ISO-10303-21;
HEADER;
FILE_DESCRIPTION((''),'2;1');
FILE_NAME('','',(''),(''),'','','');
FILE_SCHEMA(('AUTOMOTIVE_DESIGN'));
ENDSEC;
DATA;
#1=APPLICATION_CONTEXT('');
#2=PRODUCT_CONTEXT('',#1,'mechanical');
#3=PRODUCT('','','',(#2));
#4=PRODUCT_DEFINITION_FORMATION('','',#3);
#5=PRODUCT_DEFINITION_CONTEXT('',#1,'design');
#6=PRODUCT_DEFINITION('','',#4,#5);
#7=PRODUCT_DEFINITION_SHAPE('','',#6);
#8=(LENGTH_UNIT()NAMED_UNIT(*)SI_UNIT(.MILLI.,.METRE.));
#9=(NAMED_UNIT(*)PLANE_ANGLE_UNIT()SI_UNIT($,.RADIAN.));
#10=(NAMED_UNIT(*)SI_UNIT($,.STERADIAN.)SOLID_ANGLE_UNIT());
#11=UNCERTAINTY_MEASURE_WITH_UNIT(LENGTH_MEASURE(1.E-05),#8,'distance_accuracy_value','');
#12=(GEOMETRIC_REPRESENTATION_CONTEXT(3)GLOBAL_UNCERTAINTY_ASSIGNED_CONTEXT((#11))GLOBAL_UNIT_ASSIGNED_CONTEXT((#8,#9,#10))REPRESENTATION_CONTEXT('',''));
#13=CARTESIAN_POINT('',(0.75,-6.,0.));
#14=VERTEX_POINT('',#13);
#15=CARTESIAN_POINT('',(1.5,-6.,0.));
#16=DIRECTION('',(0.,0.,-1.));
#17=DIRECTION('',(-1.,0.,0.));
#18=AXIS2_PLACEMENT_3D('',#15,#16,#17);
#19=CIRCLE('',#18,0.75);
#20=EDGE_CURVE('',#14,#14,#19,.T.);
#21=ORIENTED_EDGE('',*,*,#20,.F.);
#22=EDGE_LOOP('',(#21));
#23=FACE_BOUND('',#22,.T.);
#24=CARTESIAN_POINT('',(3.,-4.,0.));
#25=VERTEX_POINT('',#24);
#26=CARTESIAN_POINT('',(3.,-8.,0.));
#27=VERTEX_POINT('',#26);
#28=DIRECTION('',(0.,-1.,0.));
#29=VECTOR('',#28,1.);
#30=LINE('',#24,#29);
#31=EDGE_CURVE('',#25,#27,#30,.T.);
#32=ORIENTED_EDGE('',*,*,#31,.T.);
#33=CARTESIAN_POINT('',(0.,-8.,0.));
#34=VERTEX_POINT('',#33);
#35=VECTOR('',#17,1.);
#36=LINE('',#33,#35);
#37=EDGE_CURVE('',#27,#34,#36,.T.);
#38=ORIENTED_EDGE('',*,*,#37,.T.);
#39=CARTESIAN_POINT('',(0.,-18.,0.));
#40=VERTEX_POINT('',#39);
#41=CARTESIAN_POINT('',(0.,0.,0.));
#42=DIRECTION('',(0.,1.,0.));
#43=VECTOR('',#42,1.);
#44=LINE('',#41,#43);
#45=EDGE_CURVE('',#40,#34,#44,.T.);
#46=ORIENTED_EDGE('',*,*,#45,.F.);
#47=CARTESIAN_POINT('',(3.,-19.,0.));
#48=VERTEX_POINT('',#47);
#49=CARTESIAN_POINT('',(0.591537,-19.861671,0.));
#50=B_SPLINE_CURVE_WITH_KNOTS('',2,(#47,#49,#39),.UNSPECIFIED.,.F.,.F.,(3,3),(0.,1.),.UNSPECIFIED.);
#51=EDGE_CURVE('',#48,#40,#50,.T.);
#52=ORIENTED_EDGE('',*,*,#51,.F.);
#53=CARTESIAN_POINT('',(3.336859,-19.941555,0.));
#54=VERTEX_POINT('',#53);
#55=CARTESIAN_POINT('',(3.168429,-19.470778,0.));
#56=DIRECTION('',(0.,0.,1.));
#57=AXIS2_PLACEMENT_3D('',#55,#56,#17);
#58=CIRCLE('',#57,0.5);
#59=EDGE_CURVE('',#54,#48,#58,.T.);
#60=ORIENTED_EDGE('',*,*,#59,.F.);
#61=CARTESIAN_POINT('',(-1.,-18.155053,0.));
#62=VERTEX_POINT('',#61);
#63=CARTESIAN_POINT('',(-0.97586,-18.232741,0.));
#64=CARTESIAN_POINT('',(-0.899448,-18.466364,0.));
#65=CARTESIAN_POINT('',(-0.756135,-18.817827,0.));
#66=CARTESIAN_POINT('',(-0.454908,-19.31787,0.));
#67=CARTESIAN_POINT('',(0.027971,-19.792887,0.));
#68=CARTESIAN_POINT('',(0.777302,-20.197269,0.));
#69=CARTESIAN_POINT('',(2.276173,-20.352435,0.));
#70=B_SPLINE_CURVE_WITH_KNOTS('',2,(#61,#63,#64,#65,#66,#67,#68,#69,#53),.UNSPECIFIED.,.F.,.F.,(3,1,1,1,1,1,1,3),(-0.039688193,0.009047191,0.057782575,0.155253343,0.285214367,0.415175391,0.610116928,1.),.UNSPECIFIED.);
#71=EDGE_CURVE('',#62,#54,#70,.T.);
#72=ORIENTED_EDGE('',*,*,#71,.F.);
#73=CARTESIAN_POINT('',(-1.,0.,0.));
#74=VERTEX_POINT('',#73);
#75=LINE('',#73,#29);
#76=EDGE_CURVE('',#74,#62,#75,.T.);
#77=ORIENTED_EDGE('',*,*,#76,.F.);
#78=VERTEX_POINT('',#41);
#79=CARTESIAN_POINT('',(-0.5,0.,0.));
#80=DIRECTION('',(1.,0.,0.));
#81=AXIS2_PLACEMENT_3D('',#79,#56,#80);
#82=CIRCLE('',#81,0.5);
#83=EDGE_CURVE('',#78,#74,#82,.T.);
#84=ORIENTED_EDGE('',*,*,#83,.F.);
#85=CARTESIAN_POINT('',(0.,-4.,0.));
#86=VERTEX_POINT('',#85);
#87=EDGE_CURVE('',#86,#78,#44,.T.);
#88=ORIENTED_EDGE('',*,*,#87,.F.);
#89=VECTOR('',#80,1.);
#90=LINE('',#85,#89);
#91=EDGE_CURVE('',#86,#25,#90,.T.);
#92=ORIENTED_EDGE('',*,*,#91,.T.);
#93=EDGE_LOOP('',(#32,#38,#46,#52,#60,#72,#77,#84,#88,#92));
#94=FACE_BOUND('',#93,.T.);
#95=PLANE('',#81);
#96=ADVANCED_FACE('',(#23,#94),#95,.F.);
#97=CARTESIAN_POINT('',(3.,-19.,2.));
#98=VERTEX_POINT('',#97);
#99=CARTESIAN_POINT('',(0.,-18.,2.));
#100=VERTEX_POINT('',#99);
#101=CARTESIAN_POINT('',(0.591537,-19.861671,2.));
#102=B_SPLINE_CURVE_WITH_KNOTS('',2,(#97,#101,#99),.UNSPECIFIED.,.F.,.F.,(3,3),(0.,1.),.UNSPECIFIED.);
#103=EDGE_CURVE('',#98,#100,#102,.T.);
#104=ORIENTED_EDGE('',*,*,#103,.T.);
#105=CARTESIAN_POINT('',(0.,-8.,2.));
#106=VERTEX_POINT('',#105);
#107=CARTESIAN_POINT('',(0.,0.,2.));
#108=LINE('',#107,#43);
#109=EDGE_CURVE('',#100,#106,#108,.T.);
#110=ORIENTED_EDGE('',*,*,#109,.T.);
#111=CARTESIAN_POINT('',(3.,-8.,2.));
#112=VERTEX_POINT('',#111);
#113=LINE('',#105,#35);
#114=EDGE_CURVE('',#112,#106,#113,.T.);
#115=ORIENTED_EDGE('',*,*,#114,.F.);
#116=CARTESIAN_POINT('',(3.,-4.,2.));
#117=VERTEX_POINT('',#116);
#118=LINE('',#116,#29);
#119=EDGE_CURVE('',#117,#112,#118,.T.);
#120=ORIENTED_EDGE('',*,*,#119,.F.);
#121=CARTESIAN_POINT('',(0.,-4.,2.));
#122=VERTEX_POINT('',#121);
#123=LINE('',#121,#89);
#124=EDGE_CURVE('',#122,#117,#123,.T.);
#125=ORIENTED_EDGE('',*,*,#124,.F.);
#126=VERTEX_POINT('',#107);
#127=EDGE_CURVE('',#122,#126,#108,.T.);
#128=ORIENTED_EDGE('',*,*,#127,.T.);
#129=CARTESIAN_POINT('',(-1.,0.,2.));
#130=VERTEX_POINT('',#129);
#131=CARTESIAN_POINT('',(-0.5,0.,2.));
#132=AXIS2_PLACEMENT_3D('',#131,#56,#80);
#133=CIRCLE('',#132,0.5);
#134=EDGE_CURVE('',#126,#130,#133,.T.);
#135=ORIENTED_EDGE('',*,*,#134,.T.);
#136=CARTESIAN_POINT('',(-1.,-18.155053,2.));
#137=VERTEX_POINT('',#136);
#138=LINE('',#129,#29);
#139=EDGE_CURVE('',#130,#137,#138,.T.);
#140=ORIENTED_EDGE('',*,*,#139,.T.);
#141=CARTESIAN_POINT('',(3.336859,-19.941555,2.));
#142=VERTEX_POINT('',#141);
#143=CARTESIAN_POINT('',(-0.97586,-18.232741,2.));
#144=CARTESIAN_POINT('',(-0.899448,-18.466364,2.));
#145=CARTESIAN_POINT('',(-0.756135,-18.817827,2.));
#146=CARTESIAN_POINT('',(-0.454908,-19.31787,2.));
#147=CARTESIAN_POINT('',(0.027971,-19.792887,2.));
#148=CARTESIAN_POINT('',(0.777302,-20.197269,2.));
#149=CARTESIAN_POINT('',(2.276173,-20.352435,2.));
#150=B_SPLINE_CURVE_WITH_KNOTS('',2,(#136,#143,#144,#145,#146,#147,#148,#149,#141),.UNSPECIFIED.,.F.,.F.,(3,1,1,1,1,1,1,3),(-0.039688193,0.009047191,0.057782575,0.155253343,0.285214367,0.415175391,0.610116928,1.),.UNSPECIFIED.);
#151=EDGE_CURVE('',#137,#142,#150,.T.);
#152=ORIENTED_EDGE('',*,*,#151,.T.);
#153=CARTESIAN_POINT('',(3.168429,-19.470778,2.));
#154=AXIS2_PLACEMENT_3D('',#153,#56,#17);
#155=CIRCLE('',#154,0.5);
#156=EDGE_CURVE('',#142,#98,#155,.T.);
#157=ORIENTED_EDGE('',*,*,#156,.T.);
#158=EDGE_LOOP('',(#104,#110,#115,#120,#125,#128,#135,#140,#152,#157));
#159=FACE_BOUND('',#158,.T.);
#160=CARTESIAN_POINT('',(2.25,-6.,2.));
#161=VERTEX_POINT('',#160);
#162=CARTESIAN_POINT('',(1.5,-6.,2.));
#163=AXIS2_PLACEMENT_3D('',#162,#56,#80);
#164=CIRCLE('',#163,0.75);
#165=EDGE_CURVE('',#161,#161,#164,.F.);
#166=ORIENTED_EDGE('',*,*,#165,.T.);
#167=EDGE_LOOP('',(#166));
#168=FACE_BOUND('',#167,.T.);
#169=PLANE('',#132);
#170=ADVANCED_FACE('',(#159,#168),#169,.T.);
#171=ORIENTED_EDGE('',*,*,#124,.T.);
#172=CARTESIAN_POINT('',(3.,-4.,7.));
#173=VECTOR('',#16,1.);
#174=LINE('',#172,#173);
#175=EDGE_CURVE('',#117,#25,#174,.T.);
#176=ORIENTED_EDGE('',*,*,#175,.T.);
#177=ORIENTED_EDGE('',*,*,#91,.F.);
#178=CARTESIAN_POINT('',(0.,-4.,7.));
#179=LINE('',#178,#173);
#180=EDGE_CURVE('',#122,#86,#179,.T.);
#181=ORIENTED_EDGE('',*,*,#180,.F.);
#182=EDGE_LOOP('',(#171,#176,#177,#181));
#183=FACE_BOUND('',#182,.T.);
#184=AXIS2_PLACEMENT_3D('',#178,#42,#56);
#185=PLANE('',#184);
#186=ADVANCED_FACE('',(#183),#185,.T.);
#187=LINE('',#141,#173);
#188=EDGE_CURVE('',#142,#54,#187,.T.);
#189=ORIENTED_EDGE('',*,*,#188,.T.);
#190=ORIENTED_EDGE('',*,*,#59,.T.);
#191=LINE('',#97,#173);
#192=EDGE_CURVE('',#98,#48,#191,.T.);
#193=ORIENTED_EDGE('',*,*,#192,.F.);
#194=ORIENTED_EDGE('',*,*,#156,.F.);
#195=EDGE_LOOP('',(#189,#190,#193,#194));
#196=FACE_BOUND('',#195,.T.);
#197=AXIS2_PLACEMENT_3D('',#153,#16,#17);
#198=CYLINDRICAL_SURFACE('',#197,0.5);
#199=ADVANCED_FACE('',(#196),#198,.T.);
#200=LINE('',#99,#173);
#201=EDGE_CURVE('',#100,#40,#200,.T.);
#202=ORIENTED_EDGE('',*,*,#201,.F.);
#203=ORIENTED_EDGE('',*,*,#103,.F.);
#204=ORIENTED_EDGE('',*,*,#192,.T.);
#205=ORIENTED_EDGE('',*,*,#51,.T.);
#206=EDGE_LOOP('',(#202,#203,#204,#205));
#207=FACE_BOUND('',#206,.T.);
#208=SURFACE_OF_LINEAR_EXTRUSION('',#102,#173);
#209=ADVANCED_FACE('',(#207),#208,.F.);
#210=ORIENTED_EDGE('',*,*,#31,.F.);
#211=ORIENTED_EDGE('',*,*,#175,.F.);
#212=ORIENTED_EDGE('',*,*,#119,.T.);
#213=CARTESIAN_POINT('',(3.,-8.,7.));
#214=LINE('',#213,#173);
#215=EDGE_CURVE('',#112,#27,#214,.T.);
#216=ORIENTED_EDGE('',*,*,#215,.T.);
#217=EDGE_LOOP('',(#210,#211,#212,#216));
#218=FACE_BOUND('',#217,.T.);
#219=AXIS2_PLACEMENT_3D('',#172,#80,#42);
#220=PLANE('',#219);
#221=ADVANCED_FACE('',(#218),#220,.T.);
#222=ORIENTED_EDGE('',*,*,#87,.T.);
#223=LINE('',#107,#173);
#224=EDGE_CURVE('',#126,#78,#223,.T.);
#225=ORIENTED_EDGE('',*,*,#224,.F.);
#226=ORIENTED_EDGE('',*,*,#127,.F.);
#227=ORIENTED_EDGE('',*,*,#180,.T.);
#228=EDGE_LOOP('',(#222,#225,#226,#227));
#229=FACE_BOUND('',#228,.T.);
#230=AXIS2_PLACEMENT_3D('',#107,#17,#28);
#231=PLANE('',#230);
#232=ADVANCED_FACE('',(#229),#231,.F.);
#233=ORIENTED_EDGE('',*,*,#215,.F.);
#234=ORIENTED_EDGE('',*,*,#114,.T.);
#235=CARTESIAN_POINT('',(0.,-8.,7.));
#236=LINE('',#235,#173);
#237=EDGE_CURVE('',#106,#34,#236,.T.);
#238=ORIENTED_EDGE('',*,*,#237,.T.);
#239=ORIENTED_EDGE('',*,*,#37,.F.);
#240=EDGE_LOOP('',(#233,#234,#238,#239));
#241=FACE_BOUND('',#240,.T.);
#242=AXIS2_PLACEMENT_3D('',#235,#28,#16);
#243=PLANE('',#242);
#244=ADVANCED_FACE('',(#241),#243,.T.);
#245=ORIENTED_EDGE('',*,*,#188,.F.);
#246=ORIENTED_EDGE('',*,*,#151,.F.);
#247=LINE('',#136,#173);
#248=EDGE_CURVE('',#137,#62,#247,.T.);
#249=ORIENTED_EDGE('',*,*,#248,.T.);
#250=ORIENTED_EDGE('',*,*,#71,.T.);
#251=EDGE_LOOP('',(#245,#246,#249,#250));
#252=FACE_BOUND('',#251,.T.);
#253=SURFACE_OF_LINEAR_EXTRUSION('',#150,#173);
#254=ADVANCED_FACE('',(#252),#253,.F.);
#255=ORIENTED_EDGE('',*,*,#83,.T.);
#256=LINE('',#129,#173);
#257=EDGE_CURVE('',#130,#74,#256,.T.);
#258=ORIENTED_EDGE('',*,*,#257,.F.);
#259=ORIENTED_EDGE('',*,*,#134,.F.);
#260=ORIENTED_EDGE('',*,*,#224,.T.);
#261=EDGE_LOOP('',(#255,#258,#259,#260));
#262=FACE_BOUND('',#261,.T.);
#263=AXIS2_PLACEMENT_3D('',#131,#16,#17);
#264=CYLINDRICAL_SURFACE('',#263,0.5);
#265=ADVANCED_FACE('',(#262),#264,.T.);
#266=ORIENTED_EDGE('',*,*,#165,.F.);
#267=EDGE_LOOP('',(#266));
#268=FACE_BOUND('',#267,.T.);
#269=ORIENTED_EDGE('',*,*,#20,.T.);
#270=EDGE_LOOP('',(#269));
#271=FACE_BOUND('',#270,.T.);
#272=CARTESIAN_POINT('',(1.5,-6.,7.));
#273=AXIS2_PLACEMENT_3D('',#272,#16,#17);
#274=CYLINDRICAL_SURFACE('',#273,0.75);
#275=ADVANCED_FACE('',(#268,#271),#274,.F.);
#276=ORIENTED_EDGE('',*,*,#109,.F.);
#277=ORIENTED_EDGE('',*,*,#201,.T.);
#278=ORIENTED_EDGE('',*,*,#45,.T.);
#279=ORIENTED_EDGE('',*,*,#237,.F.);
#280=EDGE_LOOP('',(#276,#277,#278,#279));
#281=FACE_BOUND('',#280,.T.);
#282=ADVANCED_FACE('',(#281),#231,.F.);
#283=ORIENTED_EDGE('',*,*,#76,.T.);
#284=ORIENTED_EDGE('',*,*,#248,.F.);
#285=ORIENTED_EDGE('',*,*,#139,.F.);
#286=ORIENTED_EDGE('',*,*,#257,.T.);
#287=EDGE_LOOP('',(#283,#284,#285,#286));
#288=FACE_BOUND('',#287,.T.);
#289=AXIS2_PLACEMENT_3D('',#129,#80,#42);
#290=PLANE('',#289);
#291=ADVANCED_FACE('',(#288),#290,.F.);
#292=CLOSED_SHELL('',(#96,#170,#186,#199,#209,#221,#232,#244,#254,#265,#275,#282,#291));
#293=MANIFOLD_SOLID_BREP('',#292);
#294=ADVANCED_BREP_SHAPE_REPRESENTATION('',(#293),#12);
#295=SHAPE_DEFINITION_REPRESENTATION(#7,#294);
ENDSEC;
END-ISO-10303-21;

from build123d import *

# Parameters (mm, degrees)
SALIENTE_EXTRUIR1_DEPTH = 2
CROQUIS3_W              = 3
CROQUIS3_H              = 4
CROQUIS3_R              = 0.75
SALIENTE_EXTRUIR2_DEPTH = 2


with BuildPart() as part:
    # Croquis1 → Saliente-Extruir1 (new body)
    with BuildSketch(Plane.XY):
        with BuildLine():
            Line((0, 0), (0, -18))
            add(Edge.make_bspline(
                [(0, -18), (0.591537416, -19.861671452), (3, -19)],
                knots=[0, 0, 0, 1, 1, 1], degree=2))
            ThreePointArc((3, -19), (3.639206917, -19.302348338), (3.336858579, -19.941555255))
            add(Edge.make_bspline(
                [(-1, -18.155053134), (-0.975859651, -18.232741401), (-0.899448228, -18.466363972), (-0.756134802, -18.817826734), (-0.454907757, -19.317869663), (0.02797097, -19.792887209), (0.777302206, -20.197268894), (2.276173322, -20.352435091), (3.336858579, -19.941555255)],
                knots=[-0.039688193, -0.039688193, -0.039688193, 0.009047191, 0.057782575, 0.155253343, 0.285214367, 0.415175391, 0.610116928, 1, 1, 1], degree=2))
            Line((-1, -18.155053134), (-1, 0))
            ThreePointArc((-1, 0), (-0.5, 0.5), (0, 0))
        make_face()
    extrude(amount=SALIENTE_EXTRUIR1_DEPTH)

    # Croquis3 → Saliente-Extruir2 (add)
    with BuildSketch(Plane(origin=(0, 0, 0), x_dir=(-1, 0, 0), z_dir=(0, 0, -1))):
        with Locations((-1.5, -6)):
            Rectangle(CROQUIS3_W, CROQUIS3_H)
        with Locations((-1.5, -6)):
            Circle(CROQUIS3_R, mode=Mode.SUBTRACT)
    extrude(amount=-SALIENTE_EXTRUIR2_DEPTH)


solid = part.part
